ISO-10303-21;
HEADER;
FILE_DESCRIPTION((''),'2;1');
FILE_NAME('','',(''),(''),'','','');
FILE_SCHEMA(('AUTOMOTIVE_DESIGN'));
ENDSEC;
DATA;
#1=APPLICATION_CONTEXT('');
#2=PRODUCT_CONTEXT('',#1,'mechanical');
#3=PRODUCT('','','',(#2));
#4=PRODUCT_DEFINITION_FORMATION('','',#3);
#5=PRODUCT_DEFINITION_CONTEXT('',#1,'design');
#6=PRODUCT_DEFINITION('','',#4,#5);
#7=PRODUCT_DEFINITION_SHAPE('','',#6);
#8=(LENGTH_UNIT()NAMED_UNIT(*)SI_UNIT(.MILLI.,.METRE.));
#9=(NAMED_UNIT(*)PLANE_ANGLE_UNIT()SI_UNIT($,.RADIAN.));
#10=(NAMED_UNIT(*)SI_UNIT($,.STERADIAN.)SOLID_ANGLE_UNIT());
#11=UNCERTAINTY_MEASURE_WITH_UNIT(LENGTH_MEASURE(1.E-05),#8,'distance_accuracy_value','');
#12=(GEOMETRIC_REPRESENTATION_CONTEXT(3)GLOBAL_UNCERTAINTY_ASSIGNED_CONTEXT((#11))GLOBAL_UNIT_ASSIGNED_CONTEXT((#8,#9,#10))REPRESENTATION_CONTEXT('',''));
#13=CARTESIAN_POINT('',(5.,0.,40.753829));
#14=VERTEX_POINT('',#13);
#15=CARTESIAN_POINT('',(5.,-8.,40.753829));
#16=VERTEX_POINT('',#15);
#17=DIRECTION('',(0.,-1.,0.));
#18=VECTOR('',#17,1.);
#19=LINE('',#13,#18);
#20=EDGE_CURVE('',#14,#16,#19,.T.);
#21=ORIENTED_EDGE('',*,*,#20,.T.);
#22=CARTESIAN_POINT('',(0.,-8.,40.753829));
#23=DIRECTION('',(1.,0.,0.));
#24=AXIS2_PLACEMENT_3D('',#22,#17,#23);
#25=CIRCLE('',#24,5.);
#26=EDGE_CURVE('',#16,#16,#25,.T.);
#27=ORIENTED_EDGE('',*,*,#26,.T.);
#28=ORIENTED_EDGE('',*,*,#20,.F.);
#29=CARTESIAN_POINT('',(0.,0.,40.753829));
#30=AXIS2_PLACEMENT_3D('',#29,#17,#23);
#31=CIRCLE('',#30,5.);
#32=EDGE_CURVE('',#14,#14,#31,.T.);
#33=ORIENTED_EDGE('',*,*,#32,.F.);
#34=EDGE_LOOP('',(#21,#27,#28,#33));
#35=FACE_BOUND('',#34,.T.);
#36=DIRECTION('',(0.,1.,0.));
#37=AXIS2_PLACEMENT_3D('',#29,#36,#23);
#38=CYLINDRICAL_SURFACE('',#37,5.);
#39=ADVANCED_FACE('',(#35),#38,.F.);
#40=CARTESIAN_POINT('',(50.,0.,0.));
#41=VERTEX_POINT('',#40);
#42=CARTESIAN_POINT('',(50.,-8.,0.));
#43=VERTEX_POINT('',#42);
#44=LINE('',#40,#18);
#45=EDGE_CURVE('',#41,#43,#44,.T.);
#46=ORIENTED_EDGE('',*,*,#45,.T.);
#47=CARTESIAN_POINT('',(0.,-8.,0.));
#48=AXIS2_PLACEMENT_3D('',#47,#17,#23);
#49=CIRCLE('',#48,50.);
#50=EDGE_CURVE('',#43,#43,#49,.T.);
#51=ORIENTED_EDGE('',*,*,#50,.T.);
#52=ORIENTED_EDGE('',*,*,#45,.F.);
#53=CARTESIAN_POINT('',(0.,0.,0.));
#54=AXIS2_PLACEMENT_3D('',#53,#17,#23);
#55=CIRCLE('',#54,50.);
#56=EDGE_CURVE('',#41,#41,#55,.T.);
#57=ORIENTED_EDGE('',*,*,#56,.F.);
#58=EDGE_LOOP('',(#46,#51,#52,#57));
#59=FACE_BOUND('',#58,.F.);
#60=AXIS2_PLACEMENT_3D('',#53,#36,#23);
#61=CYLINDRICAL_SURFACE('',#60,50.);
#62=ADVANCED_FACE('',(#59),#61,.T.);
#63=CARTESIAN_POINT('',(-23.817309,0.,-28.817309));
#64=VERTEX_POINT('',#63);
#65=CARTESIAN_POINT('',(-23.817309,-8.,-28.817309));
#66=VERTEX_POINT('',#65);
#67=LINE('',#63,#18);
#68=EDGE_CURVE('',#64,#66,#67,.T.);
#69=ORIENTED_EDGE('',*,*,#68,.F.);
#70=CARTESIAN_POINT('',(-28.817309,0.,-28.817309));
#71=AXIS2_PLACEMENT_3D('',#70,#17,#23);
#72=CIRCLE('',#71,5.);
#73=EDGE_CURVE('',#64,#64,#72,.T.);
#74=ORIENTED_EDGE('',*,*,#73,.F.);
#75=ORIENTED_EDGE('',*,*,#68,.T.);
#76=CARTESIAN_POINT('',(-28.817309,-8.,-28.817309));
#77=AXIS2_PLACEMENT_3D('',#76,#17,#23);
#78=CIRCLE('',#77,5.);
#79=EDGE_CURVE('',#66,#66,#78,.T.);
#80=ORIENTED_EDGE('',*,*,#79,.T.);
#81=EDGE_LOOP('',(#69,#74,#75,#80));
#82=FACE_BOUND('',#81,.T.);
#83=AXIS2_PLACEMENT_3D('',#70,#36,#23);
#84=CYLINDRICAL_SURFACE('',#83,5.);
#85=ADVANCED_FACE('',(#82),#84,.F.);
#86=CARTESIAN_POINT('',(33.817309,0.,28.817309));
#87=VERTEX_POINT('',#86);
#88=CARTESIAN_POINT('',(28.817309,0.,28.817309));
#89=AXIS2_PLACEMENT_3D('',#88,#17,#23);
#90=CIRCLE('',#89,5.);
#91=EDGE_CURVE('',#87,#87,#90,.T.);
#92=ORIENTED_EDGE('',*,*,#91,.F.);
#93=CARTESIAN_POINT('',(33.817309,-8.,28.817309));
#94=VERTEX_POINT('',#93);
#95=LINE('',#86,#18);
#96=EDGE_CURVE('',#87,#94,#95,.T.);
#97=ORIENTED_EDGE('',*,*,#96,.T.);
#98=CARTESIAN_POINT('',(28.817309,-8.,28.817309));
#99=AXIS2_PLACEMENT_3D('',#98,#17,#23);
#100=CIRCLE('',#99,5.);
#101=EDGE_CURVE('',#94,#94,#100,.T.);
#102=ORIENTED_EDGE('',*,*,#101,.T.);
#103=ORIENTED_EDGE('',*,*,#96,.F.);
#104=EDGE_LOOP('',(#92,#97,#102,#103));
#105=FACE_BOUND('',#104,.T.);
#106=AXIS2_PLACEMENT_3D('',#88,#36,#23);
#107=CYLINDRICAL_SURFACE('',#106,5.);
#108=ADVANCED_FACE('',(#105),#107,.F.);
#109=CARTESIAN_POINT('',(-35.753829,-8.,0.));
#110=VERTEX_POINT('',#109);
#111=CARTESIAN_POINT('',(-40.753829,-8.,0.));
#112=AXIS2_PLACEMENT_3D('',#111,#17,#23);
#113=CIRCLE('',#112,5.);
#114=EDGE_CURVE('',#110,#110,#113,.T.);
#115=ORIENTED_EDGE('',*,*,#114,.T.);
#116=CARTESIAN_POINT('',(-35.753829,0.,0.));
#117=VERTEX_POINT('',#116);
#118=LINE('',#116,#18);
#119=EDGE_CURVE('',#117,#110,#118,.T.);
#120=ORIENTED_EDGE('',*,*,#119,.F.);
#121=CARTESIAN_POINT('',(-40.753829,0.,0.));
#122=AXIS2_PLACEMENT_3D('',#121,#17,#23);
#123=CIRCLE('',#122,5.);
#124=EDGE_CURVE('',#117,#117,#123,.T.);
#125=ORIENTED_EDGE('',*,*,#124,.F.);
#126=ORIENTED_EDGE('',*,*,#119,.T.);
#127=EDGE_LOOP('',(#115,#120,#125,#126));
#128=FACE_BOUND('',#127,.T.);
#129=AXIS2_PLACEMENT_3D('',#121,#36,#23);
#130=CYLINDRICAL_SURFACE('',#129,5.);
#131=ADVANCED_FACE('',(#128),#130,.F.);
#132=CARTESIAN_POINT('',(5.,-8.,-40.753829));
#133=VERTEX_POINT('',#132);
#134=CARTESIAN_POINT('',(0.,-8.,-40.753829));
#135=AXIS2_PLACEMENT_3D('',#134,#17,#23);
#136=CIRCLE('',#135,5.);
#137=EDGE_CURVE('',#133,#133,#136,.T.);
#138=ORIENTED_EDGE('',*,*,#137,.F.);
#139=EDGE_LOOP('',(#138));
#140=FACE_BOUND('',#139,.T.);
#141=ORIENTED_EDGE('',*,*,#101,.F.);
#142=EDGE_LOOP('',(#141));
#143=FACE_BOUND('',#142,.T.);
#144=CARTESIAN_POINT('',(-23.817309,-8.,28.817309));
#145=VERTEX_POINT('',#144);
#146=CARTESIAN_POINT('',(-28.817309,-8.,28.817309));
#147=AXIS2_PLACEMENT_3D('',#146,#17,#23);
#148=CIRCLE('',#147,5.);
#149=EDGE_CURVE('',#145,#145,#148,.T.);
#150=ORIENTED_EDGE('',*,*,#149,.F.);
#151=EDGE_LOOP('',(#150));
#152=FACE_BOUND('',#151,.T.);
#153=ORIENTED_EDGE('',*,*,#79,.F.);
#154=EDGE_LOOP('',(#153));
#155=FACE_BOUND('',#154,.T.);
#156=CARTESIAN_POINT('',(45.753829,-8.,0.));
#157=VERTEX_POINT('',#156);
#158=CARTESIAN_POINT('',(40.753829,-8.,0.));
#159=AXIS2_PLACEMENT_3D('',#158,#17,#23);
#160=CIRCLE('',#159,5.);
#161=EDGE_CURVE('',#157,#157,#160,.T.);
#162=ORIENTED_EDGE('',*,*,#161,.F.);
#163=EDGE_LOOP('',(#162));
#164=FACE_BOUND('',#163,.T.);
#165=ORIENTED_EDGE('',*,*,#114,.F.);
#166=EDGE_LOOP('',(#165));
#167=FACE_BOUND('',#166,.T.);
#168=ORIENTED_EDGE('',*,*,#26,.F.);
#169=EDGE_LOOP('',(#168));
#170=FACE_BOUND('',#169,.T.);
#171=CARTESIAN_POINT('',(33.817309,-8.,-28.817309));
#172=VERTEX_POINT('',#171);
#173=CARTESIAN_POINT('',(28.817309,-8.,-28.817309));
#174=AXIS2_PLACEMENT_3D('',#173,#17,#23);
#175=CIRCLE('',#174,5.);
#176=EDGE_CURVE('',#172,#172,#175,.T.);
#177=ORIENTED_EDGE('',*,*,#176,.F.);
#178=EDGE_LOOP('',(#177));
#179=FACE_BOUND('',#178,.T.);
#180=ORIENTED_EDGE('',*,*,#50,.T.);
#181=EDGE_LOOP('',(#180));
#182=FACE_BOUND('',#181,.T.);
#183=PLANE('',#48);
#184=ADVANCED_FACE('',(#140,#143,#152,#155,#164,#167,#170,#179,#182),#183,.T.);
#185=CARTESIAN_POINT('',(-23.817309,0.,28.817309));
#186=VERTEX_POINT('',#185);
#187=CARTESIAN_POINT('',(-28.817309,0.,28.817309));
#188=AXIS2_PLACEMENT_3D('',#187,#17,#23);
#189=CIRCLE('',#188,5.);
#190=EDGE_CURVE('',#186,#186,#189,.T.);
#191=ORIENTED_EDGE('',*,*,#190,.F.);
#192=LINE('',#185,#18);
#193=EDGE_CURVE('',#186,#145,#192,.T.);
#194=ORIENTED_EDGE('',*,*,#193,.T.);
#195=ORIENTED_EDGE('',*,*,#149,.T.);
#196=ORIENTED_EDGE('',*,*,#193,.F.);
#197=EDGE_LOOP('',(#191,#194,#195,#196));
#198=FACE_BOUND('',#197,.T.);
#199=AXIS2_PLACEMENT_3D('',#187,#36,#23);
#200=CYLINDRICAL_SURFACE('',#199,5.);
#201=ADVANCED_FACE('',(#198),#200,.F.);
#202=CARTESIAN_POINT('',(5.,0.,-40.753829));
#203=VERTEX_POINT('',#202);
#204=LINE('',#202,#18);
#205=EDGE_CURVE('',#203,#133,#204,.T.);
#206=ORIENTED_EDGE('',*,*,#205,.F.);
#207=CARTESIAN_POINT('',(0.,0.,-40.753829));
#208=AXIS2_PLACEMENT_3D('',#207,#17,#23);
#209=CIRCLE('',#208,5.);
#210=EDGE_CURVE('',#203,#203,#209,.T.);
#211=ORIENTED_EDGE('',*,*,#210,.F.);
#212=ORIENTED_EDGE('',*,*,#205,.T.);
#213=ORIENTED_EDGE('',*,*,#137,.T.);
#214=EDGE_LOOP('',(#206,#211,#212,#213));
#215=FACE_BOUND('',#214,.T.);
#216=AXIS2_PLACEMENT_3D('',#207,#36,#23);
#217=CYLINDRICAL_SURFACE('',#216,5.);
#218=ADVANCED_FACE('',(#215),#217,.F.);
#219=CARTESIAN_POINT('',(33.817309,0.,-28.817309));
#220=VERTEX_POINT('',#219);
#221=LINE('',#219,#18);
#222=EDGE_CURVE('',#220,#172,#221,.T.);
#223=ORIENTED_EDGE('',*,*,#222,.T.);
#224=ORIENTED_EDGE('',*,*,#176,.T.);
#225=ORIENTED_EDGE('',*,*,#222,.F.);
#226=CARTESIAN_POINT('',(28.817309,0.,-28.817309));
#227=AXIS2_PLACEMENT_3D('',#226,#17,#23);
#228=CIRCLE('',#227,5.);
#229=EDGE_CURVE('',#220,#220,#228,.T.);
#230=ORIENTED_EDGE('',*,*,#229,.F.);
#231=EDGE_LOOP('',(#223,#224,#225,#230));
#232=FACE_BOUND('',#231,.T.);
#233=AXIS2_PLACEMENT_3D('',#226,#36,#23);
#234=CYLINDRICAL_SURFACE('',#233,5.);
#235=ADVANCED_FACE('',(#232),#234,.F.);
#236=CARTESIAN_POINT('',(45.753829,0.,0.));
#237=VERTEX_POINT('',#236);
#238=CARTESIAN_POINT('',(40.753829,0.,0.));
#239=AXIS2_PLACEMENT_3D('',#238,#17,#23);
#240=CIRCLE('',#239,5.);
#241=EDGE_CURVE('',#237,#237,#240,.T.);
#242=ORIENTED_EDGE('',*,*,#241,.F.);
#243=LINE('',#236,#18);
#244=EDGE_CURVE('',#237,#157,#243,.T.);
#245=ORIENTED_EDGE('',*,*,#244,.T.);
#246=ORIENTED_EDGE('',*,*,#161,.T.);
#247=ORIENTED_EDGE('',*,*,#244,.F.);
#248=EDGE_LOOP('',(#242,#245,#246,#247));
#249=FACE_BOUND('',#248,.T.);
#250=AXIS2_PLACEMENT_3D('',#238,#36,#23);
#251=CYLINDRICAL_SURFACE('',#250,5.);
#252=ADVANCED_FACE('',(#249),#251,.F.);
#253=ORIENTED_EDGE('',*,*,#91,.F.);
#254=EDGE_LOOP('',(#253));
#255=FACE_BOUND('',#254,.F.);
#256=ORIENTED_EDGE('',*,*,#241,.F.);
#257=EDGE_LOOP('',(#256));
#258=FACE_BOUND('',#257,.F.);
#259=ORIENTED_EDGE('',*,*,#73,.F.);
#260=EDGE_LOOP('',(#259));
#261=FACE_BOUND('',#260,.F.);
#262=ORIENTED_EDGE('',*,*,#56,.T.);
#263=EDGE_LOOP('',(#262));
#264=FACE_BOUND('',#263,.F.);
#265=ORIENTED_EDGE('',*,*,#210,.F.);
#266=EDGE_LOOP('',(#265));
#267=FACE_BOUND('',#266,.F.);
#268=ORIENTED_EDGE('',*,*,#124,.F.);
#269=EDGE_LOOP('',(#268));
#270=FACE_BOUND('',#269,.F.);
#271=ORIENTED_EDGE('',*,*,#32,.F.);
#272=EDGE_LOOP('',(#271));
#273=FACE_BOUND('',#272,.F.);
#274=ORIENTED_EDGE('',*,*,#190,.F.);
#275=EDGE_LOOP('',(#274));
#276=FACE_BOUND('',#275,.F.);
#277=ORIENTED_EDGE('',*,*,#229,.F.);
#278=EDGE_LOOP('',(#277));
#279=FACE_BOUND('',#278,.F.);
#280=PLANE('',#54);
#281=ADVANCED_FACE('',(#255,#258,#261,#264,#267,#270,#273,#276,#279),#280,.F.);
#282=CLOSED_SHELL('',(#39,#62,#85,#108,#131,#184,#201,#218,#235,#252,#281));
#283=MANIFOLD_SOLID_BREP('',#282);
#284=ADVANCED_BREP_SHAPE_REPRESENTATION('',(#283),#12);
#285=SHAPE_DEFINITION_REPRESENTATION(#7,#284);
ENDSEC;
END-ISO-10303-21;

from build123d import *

# Parameters (mm, degrees)
F0_R     = 50
F0_R_2   = 5
F1_DEPTH = 8


with BuildPart() as f1:
    # F0 (on Front) → F1 (new body)
    with BuildSketch(Plane.XZ):
        Circle(F0_R)
        with Locations((-28.817309, -28.817309)):
            Circle(F0_R_2, mode=Mode.SUBTRACT)
        with Locations((0, -40.753829)):
            Circle(F0_R_2, mode=Mode.SUBTRACT)
        with Locations((28.817309, -28.817309)):
            Circle(F0_R_2, mode=Mode.SUBTRACT)
        with Locations((-40.753829, 0)):
            Circle(F0_R_2, mode=Mode.SUBTRACT)
        with Locations((-28.817309, 28.817309)):
            Circle(F0_R_2, mode=Mode.SUBTRACT)
        with Locations((40.753829, 0)):
            Circle(F0_R_2, mode=Mode.SUBTRACT)
        with Locations((0, 40.753829)):
            Circle(F0_R_2, mode=Mode.SUBTRACT)
        with Locations((28.817309, 28.817309)):
            Circle(F0_R_2, mode=Mode.SUBTRACT)
    extrude(amount=F1_DEPTH)


solid = f1.part
